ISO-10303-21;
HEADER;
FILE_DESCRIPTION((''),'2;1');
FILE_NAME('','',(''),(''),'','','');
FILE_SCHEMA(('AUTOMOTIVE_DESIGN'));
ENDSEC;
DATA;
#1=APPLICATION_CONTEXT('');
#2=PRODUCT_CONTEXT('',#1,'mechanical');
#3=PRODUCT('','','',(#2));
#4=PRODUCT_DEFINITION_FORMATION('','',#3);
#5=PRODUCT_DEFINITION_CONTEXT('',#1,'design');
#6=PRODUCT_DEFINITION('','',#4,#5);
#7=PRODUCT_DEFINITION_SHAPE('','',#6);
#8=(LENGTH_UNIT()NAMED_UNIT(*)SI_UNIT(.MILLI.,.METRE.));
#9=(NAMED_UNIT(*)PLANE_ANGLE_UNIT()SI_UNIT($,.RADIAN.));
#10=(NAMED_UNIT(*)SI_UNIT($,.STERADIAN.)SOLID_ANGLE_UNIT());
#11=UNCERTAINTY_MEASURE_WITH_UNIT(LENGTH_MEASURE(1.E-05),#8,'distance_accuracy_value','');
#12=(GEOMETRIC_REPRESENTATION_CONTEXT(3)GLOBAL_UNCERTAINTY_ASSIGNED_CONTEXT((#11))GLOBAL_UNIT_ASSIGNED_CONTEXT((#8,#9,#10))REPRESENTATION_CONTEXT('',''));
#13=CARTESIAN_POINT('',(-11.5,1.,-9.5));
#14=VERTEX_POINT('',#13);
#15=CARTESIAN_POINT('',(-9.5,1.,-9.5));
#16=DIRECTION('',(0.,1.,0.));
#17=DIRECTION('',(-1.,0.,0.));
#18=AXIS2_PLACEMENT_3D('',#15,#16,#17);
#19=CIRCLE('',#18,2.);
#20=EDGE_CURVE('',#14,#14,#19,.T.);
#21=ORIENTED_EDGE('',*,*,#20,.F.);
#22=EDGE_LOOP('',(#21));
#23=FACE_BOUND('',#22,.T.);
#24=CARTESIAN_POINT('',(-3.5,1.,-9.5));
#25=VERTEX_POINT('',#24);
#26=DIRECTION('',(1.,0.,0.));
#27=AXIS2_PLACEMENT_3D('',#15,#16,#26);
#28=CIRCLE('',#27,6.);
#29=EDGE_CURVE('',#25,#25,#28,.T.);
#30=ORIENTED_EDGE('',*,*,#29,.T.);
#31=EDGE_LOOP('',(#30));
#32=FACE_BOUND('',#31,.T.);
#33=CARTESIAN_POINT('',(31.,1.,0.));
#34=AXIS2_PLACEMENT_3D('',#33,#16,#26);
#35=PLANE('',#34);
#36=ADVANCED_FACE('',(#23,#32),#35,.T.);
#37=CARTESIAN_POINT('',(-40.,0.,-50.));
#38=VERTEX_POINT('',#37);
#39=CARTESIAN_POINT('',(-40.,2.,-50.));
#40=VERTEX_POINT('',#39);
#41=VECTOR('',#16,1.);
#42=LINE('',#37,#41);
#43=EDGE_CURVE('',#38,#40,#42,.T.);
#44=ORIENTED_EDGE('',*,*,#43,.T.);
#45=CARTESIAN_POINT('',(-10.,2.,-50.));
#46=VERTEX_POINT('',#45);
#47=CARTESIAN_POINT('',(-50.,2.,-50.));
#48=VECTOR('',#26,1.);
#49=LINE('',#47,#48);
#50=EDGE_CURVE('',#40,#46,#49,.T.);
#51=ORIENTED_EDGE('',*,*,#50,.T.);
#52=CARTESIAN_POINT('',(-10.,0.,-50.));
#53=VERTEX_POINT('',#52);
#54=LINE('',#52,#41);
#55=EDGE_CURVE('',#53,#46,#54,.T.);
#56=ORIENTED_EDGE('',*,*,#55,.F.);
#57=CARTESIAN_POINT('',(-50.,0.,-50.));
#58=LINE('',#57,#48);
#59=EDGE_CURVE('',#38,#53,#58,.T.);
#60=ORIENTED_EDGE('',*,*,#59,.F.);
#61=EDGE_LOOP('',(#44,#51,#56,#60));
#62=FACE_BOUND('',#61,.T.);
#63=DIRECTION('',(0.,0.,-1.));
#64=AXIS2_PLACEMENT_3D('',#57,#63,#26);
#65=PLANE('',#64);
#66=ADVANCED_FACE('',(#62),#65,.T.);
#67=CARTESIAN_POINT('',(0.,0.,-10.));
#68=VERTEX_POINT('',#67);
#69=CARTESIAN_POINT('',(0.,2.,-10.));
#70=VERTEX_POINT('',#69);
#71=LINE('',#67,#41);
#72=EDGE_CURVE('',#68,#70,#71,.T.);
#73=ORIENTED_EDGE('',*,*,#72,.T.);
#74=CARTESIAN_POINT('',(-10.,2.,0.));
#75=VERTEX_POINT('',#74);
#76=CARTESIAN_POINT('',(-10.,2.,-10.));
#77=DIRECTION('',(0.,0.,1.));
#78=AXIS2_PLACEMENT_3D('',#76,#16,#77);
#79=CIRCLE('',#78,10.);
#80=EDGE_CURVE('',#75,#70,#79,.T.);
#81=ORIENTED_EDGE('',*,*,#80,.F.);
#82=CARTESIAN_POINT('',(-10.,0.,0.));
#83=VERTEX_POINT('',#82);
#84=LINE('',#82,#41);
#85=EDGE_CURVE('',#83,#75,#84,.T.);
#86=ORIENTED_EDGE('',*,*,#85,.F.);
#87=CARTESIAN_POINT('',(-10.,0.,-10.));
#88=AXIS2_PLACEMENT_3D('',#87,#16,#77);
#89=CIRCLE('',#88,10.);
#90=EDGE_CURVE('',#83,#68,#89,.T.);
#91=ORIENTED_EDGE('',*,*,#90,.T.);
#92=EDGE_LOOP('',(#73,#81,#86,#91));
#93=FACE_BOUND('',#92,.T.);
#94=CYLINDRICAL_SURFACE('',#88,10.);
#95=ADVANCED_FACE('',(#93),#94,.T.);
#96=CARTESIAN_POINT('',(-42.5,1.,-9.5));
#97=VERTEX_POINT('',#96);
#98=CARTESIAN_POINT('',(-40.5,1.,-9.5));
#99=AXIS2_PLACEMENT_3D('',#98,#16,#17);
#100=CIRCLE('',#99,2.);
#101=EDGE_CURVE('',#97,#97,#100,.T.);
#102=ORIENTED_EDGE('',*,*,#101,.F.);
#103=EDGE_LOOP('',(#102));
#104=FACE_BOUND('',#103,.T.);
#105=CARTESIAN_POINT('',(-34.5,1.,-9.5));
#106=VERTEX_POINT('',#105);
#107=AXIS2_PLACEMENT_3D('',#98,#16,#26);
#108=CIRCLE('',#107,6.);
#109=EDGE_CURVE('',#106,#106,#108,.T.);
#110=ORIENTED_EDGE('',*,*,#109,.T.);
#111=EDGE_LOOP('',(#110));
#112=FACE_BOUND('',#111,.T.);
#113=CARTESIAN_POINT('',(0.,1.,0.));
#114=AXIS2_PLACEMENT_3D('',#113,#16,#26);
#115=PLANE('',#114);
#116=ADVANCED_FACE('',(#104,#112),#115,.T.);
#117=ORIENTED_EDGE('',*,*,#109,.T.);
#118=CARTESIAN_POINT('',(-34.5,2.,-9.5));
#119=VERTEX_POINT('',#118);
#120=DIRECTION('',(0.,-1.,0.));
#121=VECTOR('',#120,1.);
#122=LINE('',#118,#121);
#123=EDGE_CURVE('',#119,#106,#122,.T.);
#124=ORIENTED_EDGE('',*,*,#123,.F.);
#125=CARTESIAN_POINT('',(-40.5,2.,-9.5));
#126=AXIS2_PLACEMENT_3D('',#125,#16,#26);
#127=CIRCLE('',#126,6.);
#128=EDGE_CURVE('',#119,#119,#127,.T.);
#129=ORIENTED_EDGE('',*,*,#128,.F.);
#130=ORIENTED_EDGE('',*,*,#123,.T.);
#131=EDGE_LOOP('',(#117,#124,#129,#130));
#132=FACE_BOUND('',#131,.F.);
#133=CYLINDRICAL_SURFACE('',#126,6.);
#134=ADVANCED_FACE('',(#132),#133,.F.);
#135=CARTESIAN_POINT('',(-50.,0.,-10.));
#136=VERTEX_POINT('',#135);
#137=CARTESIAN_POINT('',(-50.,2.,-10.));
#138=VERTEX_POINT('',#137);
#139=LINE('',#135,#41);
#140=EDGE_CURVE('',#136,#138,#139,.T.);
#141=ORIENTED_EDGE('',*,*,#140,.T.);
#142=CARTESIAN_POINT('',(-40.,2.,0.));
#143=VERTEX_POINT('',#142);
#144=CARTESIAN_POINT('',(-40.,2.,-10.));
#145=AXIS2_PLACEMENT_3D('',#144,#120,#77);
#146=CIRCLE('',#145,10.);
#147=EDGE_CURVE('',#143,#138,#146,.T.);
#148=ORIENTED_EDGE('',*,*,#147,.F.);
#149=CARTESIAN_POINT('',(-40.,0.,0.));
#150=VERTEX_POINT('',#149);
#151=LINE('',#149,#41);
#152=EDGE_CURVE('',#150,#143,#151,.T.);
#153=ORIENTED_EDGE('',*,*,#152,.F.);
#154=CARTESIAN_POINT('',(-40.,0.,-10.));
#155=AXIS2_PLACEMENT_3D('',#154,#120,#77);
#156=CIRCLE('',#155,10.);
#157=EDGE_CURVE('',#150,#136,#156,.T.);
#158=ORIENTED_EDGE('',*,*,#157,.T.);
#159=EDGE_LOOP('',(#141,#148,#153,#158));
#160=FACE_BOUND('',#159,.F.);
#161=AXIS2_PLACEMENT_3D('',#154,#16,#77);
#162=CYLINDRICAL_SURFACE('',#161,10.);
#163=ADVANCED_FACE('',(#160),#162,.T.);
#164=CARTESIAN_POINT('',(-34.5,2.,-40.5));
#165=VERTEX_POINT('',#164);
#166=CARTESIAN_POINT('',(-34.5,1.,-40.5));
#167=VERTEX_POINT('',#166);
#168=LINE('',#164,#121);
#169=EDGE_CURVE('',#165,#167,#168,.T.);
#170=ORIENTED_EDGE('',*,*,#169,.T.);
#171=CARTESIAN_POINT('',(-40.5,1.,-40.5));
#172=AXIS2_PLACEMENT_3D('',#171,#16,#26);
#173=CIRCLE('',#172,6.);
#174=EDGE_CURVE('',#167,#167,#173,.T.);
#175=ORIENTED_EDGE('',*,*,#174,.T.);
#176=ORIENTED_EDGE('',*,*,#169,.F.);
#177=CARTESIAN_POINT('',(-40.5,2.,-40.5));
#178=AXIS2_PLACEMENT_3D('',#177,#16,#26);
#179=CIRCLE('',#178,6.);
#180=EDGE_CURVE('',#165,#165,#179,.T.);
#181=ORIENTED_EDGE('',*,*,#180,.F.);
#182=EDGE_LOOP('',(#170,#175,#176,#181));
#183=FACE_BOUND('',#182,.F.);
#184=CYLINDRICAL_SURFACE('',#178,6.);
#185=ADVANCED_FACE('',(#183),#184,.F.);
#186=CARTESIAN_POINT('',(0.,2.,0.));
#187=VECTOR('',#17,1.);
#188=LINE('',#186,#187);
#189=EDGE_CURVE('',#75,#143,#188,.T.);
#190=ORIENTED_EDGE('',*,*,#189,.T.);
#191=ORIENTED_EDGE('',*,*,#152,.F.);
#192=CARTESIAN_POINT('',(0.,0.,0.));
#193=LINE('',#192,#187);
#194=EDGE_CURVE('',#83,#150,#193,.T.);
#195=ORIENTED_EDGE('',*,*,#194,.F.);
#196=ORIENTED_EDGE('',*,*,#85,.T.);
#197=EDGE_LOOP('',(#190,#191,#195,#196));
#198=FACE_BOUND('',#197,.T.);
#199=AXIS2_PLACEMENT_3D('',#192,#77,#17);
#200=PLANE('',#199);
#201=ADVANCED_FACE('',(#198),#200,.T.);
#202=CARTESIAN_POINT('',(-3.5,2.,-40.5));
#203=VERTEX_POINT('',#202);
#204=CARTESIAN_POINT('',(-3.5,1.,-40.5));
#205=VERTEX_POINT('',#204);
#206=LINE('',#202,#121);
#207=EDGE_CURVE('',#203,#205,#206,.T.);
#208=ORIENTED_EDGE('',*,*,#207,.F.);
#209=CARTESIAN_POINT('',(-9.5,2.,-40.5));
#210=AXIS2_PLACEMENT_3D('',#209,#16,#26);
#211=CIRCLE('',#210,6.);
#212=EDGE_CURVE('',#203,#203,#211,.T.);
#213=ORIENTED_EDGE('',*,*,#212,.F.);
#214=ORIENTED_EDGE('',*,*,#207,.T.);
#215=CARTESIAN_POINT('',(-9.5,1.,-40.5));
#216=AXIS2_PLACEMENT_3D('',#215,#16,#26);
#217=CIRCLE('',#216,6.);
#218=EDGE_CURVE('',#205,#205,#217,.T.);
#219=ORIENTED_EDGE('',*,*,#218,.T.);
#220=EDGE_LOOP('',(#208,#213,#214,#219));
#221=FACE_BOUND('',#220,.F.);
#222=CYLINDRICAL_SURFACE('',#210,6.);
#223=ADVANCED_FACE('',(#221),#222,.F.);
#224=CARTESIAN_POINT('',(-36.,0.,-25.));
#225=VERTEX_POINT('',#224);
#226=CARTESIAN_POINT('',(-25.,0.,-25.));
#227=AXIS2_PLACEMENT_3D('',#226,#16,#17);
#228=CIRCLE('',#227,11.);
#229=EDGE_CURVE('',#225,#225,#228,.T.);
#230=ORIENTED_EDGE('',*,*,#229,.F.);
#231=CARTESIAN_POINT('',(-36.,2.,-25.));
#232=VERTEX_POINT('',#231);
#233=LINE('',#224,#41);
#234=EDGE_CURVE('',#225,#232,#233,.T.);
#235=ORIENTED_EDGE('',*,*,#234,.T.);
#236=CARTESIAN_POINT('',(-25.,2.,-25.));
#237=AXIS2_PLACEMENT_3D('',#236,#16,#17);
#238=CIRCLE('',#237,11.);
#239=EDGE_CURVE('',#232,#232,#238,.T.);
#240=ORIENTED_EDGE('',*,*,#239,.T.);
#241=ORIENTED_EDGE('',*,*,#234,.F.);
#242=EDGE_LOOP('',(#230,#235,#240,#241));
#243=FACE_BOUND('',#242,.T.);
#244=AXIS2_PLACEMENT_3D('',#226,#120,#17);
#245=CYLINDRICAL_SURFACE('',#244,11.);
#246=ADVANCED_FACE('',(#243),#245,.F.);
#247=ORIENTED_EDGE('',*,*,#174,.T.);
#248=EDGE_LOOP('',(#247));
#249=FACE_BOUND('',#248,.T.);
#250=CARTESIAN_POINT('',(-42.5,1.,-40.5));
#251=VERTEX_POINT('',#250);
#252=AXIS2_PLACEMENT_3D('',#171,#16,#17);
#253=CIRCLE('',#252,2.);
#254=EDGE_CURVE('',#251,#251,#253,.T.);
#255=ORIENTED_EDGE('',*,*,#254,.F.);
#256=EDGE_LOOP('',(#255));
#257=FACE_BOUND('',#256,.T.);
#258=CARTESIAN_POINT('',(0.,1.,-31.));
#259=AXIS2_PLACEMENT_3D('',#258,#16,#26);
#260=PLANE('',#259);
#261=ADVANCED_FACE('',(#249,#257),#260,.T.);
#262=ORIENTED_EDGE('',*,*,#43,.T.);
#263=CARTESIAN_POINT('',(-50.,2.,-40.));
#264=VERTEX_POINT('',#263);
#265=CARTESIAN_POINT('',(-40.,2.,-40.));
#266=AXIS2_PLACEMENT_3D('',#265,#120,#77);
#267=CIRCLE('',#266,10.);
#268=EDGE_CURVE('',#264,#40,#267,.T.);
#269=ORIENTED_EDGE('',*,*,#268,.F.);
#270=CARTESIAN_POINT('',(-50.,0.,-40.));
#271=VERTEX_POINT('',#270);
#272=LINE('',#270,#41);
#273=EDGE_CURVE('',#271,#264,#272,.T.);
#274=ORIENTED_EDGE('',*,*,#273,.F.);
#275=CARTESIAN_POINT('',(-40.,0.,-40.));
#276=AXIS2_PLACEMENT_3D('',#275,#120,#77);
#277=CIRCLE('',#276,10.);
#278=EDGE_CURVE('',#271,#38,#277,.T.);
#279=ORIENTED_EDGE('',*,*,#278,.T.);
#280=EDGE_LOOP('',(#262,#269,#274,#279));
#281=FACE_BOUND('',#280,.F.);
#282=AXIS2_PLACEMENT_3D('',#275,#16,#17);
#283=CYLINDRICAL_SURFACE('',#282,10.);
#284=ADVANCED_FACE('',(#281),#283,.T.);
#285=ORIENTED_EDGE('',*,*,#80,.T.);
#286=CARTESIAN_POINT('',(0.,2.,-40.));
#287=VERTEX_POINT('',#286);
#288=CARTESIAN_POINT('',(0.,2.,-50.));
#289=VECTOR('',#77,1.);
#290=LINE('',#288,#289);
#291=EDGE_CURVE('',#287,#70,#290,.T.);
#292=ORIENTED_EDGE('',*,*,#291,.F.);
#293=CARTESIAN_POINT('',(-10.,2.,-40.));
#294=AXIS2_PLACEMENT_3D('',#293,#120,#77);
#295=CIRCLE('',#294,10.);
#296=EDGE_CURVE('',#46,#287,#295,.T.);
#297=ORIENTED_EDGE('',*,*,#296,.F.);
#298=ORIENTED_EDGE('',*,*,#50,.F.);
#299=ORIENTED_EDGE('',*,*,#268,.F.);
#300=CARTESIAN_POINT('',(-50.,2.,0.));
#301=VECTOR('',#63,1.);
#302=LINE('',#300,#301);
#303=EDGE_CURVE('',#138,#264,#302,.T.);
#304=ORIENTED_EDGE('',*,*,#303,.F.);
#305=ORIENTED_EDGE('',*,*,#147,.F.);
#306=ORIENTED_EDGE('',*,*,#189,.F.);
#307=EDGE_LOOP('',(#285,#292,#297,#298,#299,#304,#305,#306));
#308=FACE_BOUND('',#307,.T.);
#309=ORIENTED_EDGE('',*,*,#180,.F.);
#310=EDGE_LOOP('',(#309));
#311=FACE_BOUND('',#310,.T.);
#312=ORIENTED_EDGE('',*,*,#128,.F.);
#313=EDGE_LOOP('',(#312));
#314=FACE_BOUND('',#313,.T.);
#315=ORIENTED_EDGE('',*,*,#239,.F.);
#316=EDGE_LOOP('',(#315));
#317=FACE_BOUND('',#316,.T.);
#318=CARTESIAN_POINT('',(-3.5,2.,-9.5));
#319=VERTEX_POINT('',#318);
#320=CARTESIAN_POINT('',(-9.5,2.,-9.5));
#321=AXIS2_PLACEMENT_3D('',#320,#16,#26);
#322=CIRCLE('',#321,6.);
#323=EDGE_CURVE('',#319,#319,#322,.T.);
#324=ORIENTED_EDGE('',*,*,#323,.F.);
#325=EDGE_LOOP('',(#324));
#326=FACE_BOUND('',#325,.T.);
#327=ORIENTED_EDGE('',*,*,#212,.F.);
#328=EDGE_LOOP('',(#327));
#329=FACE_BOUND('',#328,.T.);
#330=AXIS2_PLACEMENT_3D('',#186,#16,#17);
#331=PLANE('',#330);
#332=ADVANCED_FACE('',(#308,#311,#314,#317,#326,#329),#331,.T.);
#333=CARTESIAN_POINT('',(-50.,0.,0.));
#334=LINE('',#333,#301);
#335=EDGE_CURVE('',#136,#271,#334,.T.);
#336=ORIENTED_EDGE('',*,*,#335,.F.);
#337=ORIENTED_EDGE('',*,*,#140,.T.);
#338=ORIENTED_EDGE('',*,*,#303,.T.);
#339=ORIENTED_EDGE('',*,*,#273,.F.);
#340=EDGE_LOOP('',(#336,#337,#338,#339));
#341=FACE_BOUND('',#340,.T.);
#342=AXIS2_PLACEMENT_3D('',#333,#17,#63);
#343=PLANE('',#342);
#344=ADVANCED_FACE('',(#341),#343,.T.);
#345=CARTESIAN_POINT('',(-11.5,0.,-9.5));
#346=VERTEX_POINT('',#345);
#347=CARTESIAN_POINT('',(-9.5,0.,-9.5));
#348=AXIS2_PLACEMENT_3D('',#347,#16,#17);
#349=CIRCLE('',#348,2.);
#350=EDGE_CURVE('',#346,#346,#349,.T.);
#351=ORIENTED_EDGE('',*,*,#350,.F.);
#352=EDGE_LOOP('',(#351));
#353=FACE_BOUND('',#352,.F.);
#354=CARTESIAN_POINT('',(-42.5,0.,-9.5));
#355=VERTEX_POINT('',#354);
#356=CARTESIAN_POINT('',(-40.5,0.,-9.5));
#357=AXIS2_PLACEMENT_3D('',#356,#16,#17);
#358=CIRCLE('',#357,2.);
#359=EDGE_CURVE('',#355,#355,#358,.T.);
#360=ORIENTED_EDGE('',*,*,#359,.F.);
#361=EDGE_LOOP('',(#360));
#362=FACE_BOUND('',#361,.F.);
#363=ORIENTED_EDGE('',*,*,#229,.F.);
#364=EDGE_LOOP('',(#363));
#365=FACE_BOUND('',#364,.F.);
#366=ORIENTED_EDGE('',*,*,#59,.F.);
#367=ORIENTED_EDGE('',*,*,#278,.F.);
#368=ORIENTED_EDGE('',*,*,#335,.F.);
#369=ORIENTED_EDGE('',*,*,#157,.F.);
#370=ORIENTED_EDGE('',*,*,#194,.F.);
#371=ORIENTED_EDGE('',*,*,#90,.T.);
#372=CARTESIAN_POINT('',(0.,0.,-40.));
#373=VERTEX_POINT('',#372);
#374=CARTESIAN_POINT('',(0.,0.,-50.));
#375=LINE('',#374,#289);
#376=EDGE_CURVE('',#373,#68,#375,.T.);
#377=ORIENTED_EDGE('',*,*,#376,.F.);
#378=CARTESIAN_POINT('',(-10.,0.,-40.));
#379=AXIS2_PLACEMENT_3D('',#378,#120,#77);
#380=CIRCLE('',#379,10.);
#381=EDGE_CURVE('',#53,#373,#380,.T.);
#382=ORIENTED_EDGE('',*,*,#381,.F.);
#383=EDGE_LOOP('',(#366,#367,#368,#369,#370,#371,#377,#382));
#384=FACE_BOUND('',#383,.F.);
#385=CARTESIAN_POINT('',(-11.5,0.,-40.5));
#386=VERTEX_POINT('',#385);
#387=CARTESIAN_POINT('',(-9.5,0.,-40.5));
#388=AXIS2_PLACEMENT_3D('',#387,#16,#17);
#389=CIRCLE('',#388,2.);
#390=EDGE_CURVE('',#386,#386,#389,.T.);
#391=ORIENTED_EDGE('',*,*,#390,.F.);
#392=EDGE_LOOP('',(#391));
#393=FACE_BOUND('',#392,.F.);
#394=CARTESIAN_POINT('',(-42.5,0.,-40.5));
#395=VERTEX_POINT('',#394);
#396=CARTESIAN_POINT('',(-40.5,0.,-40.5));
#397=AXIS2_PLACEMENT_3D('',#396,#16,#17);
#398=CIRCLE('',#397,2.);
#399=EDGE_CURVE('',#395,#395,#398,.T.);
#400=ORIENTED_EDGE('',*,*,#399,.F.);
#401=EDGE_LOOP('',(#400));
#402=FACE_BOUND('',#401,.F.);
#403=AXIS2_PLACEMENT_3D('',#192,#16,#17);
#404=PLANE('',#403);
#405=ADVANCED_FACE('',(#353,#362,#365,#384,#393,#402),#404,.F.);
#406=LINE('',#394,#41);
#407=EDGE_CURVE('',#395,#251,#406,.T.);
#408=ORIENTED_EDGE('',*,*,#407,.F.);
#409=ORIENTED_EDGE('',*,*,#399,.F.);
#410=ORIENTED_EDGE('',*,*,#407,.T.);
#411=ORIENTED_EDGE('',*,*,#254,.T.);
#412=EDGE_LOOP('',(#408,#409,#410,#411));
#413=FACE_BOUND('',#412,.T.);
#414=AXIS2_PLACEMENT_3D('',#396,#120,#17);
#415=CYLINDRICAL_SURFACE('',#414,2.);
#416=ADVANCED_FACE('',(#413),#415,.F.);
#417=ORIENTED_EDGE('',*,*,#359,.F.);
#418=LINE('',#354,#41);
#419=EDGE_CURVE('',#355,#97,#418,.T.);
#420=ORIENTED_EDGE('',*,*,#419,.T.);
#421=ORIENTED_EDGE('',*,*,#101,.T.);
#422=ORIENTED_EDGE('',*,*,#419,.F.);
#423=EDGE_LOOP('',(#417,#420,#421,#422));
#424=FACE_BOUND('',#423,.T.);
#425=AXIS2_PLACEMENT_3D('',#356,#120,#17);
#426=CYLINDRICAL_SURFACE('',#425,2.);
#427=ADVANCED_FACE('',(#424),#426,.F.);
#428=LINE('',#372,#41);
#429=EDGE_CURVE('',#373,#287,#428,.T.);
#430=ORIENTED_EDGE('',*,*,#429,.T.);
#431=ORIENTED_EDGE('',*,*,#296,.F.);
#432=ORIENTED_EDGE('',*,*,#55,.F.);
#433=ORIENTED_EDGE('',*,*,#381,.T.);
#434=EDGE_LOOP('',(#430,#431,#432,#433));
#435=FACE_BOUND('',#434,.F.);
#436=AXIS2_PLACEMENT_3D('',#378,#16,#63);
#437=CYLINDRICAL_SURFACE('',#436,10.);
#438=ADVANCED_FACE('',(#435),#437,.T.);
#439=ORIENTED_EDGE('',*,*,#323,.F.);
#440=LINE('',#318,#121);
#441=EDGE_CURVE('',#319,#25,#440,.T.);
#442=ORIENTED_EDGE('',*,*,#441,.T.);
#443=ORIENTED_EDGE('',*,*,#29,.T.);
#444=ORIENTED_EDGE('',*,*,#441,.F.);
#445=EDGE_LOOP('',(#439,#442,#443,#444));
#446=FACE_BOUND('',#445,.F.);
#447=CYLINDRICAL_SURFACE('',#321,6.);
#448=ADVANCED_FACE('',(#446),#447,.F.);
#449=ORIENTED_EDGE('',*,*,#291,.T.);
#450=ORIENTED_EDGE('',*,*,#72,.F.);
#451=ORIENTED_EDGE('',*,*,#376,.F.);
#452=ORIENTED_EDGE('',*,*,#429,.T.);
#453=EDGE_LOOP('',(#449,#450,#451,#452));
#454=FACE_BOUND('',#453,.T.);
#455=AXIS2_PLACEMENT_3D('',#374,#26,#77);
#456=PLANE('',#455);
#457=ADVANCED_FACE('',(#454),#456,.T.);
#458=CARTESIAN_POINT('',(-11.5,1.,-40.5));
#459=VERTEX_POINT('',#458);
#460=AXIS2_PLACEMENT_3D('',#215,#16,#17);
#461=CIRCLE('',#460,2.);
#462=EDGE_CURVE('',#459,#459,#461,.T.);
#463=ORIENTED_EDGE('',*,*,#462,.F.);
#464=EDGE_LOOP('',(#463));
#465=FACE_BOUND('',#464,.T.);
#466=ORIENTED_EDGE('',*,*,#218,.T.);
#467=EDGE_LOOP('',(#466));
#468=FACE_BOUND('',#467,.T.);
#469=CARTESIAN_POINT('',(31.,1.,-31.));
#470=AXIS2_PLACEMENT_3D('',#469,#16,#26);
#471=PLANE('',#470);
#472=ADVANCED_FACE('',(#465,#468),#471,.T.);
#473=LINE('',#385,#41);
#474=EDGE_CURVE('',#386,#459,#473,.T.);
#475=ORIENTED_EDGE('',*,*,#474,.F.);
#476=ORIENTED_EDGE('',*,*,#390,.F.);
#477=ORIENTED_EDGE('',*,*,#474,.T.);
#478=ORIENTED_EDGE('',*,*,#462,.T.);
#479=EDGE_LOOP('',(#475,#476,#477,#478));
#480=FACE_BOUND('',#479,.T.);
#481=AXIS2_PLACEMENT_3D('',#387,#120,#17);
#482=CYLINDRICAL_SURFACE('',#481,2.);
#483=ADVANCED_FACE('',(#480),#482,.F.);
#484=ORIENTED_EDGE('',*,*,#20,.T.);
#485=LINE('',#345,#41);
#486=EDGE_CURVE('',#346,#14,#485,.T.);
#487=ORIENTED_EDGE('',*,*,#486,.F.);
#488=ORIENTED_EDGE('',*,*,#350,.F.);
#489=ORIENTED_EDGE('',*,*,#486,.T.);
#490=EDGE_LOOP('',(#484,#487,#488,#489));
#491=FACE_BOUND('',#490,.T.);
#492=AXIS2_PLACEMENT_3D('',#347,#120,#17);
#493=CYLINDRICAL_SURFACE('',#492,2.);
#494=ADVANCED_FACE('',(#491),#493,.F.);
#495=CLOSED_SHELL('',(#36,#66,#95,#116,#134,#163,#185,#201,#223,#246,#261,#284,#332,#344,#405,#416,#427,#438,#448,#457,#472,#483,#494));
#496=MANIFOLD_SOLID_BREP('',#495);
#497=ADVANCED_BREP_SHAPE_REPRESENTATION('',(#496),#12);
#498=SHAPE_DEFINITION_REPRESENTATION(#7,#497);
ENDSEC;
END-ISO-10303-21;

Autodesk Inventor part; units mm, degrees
ref_plane "YZ Plane" through (0, 0, 0) normal (1, 0, 0) x (0, 1, 0)
ref_plane "XZ Plane" through (0, 0, 0) normal (0, 1, 0) x (-1, 0, 0)
ref_plane "XY Plane" through (0, 0, 0) normal (0, 0, 1) x (1, 0, 0)
sketch "Sketch1" plane through (0, 0, 0) normal (0, 1, 0) x (-1, 0, 0)
  line L0 (0, 0) -> (50, 0)
  line L1 (50, 0) -> (50, -50)
  line L2 (50, -50) -> (0, -50)
  line L3 (0, -50) -> (0, 0)
  circle A0 centre (40.5, -9.5) radius 2
  circle A1 centre (25, -25) radius 11
  circle A2 centre (40.5, -40.5) radius 2
  circle A3 centre (9.5, -9.5) radius 2
  circle A4 centre (9.5, -40.5) radius 2
  dimension "d0" = 50
  dimension "d1" = 50
  dimension "d2" = 4
  dimension "d3" = 9.5
  dimension "d4" = 9.5
  dimension "d5" = 22
  dimension "d6" = 25
  dimension "d7" = 25
  dimension "d10" = 31
  dimension "d13" = 31
extrude "Extrusion1" add sketch "Sketch1" along normal blind 2
fillet "Fillet1" radius 10 4 edges at (0, 1, -50) (0, 1, 0) (-50, 1, -50) (-50, 1, 0)
sketch "Sketch2" plane through (0, 2, 0) normal (0, 1, 0) x (1, 0, 0)
  circle A0 centre (-40.5, 9.5) radius 2 projected
  circle A1 centre (-40.5, 9.5) radius 6
  point P0 (0, 0)
  dimension "d19" = 12
extrude "Extrusion2" cut sketch "Sketch2" against normal blind 1
pattern_linear "Rectangular Pattern1" count 2 spacing 31 along (1, 0, 0) count 2 spacing 31 along (0, 0, -1) of "Extrusion2"
properties part number "NEMA17_FacePlate"
